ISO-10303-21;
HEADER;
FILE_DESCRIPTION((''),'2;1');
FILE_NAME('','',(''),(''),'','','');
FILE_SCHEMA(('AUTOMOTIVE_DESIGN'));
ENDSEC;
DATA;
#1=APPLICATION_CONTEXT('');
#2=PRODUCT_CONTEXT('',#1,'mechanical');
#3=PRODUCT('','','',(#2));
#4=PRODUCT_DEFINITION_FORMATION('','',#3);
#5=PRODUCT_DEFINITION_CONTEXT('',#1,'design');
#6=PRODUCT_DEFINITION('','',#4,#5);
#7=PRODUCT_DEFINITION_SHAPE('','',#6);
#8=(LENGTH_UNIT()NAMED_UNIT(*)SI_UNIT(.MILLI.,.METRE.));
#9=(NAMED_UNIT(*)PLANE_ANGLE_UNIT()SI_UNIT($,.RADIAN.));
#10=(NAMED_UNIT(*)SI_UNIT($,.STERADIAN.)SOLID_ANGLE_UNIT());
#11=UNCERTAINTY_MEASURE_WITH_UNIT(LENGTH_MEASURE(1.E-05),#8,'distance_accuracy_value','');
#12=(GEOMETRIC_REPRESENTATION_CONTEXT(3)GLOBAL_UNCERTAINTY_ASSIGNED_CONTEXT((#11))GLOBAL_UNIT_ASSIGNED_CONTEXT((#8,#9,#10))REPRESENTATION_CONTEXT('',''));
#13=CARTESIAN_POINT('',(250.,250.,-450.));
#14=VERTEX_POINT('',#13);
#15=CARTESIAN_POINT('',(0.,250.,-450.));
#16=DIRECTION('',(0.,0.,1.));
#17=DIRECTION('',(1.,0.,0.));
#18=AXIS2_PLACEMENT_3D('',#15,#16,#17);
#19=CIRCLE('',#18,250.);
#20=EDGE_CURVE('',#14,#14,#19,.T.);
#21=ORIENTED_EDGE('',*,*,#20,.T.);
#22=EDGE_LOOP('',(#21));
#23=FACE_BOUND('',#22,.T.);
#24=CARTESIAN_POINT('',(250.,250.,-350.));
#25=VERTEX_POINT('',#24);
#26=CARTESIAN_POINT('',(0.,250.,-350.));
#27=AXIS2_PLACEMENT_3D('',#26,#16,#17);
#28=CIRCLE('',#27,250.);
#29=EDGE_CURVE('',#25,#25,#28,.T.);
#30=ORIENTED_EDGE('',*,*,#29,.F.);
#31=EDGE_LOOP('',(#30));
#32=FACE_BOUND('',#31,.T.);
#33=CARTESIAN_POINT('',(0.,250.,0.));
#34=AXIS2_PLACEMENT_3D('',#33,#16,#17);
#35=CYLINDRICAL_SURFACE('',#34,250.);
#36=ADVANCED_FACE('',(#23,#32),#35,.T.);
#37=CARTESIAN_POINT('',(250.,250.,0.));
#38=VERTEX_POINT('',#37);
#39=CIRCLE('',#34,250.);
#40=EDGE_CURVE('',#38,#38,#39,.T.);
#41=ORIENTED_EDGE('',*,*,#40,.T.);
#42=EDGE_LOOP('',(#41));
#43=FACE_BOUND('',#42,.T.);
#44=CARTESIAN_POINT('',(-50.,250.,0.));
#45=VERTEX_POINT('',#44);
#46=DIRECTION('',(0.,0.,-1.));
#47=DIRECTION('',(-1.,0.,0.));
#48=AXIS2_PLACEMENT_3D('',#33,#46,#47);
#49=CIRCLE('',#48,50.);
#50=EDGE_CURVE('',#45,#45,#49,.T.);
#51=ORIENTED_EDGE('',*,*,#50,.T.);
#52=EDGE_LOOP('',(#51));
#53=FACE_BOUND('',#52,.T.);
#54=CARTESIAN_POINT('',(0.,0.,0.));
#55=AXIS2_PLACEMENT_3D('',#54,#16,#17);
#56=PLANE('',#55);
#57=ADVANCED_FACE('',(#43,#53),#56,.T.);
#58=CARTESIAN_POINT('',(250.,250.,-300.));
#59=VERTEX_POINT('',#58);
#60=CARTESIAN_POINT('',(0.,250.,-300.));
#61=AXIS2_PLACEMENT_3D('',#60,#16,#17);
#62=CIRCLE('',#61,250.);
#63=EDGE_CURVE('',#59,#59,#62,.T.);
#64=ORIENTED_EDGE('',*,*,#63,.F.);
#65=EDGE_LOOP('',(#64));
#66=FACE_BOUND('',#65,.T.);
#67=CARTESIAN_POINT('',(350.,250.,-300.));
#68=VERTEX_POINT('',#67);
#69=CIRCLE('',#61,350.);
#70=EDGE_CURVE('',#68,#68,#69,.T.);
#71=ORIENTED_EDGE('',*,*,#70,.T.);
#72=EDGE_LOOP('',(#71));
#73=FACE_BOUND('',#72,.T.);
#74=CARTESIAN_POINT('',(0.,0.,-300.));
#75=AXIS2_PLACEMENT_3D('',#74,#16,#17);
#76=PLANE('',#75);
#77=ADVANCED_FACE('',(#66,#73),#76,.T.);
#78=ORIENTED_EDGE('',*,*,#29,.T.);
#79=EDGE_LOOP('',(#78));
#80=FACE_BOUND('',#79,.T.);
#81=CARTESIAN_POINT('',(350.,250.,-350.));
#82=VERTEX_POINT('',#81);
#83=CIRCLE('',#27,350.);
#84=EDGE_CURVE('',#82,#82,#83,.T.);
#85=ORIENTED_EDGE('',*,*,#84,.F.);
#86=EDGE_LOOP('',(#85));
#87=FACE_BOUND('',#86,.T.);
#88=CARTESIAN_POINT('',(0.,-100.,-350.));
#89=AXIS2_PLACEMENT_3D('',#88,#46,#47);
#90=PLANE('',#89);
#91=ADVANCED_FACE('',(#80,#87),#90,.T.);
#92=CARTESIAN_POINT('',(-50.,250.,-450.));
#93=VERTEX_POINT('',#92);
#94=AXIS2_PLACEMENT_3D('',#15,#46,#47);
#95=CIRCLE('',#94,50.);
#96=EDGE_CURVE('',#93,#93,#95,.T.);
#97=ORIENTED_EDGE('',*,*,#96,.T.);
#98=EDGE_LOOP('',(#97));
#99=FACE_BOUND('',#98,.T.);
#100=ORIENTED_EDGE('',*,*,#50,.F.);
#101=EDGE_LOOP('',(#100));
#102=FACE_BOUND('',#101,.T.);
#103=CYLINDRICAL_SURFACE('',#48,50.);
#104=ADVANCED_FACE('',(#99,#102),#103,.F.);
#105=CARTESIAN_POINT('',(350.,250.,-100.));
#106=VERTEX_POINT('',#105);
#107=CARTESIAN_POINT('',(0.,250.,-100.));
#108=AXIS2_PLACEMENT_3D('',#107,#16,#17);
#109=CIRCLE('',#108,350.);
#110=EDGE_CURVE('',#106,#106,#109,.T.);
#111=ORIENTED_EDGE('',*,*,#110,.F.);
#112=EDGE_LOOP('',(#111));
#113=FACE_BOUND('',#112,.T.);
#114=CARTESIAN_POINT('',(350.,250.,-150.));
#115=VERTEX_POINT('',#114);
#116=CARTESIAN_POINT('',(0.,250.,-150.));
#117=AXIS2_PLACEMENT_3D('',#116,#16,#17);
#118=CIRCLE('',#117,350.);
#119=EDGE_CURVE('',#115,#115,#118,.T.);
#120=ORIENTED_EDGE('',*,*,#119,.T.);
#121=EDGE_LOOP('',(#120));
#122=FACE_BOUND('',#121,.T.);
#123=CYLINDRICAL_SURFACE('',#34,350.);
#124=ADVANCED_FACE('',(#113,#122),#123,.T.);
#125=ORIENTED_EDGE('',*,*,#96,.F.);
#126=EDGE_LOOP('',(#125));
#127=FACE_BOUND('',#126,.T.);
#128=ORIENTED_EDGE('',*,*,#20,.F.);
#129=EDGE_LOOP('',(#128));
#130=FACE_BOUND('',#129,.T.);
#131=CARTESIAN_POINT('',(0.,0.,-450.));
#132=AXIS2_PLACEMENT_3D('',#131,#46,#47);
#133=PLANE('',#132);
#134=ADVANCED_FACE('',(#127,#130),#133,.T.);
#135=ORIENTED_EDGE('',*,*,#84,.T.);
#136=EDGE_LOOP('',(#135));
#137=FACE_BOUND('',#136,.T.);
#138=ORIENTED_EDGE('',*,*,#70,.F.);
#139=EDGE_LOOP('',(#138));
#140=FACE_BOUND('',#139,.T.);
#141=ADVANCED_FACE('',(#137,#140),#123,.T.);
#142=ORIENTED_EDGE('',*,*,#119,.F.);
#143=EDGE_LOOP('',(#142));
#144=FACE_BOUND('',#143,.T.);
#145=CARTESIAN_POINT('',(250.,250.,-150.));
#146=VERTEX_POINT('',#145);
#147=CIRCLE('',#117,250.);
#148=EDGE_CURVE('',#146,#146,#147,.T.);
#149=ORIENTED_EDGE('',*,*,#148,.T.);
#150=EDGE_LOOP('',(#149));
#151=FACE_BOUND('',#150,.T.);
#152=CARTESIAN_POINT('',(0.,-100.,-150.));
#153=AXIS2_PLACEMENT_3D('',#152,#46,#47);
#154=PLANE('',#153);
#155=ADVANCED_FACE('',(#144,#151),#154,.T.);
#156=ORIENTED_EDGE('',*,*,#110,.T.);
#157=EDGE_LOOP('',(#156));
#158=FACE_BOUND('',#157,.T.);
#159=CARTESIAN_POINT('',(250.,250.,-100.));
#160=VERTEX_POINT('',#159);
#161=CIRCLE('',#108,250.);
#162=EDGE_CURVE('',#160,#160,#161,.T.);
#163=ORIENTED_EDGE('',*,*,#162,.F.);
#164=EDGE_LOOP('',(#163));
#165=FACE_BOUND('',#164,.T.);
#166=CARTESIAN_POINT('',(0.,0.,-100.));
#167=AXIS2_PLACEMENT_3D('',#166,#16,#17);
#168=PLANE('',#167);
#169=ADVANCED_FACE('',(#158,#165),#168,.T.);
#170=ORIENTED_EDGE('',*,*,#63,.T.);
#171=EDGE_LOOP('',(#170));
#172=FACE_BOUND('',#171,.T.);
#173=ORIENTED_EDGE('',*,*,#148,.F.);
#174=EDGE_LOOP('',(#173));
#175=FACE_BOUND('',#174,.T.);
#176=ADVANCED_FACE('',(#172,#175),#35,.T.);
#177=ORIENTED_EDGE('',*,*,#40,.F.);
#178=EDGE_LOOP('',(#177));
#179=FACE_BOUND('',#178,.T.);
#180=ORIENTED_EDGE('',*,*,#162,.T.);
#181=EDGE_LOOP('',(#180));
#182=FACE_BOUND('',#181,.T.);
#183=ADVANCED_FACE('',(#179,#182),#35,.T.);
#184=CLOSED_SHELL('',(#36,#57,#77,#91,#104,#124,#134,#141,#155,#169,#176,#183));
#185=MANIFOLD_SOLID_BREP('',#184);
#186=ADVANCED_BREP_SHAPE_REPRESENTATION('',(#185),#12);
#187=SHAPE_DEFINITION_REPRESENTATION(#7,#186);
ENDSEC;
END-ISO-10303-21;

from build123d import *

# Parameters (mm, degrees)
SKETCH2_R          = 50
CUT_EXTRUDE1_DEPTH = 828.647267862


with BuildPart() as part:
    # Sketch1 → Revolve1 (revolve)
    with BuildSketch(Plane(origin=(0, 0, 0), x_dir=(0, 0, -1), z_dir=(1, 0, 0)), mode=Mode.PRIVATE) as revolve1_sk:
        Polygon((0, 0), (0, 250), (450, 250), (450, 0), (350, 0), (350, -100), (300, -100), (300, 0), (150, 0), (150, -100), (100, -100), (100, 0), align=None)
    revolve(revolve1_sk.sketch.rotate(Axis((0, 250, 0), (0, 0, -1)), 270), axis=Axis((0, 250, 0), (0, 0, -1)))

    # Sketch2 → Cut-Extrude1 (cut, through all)
    with BuildSketch(Plane(origin=(0, 0, -450), x_dir=(-1, 0, 0), z_dir=(0, 0, -1))):
        with Locations((0, 250)):
            Circle(SKETCH2_R)
    extrude(amount=-CUT_EXTRUDE1_DEPTH, mode=Mode.SUBTRACT)


solid = part.part
